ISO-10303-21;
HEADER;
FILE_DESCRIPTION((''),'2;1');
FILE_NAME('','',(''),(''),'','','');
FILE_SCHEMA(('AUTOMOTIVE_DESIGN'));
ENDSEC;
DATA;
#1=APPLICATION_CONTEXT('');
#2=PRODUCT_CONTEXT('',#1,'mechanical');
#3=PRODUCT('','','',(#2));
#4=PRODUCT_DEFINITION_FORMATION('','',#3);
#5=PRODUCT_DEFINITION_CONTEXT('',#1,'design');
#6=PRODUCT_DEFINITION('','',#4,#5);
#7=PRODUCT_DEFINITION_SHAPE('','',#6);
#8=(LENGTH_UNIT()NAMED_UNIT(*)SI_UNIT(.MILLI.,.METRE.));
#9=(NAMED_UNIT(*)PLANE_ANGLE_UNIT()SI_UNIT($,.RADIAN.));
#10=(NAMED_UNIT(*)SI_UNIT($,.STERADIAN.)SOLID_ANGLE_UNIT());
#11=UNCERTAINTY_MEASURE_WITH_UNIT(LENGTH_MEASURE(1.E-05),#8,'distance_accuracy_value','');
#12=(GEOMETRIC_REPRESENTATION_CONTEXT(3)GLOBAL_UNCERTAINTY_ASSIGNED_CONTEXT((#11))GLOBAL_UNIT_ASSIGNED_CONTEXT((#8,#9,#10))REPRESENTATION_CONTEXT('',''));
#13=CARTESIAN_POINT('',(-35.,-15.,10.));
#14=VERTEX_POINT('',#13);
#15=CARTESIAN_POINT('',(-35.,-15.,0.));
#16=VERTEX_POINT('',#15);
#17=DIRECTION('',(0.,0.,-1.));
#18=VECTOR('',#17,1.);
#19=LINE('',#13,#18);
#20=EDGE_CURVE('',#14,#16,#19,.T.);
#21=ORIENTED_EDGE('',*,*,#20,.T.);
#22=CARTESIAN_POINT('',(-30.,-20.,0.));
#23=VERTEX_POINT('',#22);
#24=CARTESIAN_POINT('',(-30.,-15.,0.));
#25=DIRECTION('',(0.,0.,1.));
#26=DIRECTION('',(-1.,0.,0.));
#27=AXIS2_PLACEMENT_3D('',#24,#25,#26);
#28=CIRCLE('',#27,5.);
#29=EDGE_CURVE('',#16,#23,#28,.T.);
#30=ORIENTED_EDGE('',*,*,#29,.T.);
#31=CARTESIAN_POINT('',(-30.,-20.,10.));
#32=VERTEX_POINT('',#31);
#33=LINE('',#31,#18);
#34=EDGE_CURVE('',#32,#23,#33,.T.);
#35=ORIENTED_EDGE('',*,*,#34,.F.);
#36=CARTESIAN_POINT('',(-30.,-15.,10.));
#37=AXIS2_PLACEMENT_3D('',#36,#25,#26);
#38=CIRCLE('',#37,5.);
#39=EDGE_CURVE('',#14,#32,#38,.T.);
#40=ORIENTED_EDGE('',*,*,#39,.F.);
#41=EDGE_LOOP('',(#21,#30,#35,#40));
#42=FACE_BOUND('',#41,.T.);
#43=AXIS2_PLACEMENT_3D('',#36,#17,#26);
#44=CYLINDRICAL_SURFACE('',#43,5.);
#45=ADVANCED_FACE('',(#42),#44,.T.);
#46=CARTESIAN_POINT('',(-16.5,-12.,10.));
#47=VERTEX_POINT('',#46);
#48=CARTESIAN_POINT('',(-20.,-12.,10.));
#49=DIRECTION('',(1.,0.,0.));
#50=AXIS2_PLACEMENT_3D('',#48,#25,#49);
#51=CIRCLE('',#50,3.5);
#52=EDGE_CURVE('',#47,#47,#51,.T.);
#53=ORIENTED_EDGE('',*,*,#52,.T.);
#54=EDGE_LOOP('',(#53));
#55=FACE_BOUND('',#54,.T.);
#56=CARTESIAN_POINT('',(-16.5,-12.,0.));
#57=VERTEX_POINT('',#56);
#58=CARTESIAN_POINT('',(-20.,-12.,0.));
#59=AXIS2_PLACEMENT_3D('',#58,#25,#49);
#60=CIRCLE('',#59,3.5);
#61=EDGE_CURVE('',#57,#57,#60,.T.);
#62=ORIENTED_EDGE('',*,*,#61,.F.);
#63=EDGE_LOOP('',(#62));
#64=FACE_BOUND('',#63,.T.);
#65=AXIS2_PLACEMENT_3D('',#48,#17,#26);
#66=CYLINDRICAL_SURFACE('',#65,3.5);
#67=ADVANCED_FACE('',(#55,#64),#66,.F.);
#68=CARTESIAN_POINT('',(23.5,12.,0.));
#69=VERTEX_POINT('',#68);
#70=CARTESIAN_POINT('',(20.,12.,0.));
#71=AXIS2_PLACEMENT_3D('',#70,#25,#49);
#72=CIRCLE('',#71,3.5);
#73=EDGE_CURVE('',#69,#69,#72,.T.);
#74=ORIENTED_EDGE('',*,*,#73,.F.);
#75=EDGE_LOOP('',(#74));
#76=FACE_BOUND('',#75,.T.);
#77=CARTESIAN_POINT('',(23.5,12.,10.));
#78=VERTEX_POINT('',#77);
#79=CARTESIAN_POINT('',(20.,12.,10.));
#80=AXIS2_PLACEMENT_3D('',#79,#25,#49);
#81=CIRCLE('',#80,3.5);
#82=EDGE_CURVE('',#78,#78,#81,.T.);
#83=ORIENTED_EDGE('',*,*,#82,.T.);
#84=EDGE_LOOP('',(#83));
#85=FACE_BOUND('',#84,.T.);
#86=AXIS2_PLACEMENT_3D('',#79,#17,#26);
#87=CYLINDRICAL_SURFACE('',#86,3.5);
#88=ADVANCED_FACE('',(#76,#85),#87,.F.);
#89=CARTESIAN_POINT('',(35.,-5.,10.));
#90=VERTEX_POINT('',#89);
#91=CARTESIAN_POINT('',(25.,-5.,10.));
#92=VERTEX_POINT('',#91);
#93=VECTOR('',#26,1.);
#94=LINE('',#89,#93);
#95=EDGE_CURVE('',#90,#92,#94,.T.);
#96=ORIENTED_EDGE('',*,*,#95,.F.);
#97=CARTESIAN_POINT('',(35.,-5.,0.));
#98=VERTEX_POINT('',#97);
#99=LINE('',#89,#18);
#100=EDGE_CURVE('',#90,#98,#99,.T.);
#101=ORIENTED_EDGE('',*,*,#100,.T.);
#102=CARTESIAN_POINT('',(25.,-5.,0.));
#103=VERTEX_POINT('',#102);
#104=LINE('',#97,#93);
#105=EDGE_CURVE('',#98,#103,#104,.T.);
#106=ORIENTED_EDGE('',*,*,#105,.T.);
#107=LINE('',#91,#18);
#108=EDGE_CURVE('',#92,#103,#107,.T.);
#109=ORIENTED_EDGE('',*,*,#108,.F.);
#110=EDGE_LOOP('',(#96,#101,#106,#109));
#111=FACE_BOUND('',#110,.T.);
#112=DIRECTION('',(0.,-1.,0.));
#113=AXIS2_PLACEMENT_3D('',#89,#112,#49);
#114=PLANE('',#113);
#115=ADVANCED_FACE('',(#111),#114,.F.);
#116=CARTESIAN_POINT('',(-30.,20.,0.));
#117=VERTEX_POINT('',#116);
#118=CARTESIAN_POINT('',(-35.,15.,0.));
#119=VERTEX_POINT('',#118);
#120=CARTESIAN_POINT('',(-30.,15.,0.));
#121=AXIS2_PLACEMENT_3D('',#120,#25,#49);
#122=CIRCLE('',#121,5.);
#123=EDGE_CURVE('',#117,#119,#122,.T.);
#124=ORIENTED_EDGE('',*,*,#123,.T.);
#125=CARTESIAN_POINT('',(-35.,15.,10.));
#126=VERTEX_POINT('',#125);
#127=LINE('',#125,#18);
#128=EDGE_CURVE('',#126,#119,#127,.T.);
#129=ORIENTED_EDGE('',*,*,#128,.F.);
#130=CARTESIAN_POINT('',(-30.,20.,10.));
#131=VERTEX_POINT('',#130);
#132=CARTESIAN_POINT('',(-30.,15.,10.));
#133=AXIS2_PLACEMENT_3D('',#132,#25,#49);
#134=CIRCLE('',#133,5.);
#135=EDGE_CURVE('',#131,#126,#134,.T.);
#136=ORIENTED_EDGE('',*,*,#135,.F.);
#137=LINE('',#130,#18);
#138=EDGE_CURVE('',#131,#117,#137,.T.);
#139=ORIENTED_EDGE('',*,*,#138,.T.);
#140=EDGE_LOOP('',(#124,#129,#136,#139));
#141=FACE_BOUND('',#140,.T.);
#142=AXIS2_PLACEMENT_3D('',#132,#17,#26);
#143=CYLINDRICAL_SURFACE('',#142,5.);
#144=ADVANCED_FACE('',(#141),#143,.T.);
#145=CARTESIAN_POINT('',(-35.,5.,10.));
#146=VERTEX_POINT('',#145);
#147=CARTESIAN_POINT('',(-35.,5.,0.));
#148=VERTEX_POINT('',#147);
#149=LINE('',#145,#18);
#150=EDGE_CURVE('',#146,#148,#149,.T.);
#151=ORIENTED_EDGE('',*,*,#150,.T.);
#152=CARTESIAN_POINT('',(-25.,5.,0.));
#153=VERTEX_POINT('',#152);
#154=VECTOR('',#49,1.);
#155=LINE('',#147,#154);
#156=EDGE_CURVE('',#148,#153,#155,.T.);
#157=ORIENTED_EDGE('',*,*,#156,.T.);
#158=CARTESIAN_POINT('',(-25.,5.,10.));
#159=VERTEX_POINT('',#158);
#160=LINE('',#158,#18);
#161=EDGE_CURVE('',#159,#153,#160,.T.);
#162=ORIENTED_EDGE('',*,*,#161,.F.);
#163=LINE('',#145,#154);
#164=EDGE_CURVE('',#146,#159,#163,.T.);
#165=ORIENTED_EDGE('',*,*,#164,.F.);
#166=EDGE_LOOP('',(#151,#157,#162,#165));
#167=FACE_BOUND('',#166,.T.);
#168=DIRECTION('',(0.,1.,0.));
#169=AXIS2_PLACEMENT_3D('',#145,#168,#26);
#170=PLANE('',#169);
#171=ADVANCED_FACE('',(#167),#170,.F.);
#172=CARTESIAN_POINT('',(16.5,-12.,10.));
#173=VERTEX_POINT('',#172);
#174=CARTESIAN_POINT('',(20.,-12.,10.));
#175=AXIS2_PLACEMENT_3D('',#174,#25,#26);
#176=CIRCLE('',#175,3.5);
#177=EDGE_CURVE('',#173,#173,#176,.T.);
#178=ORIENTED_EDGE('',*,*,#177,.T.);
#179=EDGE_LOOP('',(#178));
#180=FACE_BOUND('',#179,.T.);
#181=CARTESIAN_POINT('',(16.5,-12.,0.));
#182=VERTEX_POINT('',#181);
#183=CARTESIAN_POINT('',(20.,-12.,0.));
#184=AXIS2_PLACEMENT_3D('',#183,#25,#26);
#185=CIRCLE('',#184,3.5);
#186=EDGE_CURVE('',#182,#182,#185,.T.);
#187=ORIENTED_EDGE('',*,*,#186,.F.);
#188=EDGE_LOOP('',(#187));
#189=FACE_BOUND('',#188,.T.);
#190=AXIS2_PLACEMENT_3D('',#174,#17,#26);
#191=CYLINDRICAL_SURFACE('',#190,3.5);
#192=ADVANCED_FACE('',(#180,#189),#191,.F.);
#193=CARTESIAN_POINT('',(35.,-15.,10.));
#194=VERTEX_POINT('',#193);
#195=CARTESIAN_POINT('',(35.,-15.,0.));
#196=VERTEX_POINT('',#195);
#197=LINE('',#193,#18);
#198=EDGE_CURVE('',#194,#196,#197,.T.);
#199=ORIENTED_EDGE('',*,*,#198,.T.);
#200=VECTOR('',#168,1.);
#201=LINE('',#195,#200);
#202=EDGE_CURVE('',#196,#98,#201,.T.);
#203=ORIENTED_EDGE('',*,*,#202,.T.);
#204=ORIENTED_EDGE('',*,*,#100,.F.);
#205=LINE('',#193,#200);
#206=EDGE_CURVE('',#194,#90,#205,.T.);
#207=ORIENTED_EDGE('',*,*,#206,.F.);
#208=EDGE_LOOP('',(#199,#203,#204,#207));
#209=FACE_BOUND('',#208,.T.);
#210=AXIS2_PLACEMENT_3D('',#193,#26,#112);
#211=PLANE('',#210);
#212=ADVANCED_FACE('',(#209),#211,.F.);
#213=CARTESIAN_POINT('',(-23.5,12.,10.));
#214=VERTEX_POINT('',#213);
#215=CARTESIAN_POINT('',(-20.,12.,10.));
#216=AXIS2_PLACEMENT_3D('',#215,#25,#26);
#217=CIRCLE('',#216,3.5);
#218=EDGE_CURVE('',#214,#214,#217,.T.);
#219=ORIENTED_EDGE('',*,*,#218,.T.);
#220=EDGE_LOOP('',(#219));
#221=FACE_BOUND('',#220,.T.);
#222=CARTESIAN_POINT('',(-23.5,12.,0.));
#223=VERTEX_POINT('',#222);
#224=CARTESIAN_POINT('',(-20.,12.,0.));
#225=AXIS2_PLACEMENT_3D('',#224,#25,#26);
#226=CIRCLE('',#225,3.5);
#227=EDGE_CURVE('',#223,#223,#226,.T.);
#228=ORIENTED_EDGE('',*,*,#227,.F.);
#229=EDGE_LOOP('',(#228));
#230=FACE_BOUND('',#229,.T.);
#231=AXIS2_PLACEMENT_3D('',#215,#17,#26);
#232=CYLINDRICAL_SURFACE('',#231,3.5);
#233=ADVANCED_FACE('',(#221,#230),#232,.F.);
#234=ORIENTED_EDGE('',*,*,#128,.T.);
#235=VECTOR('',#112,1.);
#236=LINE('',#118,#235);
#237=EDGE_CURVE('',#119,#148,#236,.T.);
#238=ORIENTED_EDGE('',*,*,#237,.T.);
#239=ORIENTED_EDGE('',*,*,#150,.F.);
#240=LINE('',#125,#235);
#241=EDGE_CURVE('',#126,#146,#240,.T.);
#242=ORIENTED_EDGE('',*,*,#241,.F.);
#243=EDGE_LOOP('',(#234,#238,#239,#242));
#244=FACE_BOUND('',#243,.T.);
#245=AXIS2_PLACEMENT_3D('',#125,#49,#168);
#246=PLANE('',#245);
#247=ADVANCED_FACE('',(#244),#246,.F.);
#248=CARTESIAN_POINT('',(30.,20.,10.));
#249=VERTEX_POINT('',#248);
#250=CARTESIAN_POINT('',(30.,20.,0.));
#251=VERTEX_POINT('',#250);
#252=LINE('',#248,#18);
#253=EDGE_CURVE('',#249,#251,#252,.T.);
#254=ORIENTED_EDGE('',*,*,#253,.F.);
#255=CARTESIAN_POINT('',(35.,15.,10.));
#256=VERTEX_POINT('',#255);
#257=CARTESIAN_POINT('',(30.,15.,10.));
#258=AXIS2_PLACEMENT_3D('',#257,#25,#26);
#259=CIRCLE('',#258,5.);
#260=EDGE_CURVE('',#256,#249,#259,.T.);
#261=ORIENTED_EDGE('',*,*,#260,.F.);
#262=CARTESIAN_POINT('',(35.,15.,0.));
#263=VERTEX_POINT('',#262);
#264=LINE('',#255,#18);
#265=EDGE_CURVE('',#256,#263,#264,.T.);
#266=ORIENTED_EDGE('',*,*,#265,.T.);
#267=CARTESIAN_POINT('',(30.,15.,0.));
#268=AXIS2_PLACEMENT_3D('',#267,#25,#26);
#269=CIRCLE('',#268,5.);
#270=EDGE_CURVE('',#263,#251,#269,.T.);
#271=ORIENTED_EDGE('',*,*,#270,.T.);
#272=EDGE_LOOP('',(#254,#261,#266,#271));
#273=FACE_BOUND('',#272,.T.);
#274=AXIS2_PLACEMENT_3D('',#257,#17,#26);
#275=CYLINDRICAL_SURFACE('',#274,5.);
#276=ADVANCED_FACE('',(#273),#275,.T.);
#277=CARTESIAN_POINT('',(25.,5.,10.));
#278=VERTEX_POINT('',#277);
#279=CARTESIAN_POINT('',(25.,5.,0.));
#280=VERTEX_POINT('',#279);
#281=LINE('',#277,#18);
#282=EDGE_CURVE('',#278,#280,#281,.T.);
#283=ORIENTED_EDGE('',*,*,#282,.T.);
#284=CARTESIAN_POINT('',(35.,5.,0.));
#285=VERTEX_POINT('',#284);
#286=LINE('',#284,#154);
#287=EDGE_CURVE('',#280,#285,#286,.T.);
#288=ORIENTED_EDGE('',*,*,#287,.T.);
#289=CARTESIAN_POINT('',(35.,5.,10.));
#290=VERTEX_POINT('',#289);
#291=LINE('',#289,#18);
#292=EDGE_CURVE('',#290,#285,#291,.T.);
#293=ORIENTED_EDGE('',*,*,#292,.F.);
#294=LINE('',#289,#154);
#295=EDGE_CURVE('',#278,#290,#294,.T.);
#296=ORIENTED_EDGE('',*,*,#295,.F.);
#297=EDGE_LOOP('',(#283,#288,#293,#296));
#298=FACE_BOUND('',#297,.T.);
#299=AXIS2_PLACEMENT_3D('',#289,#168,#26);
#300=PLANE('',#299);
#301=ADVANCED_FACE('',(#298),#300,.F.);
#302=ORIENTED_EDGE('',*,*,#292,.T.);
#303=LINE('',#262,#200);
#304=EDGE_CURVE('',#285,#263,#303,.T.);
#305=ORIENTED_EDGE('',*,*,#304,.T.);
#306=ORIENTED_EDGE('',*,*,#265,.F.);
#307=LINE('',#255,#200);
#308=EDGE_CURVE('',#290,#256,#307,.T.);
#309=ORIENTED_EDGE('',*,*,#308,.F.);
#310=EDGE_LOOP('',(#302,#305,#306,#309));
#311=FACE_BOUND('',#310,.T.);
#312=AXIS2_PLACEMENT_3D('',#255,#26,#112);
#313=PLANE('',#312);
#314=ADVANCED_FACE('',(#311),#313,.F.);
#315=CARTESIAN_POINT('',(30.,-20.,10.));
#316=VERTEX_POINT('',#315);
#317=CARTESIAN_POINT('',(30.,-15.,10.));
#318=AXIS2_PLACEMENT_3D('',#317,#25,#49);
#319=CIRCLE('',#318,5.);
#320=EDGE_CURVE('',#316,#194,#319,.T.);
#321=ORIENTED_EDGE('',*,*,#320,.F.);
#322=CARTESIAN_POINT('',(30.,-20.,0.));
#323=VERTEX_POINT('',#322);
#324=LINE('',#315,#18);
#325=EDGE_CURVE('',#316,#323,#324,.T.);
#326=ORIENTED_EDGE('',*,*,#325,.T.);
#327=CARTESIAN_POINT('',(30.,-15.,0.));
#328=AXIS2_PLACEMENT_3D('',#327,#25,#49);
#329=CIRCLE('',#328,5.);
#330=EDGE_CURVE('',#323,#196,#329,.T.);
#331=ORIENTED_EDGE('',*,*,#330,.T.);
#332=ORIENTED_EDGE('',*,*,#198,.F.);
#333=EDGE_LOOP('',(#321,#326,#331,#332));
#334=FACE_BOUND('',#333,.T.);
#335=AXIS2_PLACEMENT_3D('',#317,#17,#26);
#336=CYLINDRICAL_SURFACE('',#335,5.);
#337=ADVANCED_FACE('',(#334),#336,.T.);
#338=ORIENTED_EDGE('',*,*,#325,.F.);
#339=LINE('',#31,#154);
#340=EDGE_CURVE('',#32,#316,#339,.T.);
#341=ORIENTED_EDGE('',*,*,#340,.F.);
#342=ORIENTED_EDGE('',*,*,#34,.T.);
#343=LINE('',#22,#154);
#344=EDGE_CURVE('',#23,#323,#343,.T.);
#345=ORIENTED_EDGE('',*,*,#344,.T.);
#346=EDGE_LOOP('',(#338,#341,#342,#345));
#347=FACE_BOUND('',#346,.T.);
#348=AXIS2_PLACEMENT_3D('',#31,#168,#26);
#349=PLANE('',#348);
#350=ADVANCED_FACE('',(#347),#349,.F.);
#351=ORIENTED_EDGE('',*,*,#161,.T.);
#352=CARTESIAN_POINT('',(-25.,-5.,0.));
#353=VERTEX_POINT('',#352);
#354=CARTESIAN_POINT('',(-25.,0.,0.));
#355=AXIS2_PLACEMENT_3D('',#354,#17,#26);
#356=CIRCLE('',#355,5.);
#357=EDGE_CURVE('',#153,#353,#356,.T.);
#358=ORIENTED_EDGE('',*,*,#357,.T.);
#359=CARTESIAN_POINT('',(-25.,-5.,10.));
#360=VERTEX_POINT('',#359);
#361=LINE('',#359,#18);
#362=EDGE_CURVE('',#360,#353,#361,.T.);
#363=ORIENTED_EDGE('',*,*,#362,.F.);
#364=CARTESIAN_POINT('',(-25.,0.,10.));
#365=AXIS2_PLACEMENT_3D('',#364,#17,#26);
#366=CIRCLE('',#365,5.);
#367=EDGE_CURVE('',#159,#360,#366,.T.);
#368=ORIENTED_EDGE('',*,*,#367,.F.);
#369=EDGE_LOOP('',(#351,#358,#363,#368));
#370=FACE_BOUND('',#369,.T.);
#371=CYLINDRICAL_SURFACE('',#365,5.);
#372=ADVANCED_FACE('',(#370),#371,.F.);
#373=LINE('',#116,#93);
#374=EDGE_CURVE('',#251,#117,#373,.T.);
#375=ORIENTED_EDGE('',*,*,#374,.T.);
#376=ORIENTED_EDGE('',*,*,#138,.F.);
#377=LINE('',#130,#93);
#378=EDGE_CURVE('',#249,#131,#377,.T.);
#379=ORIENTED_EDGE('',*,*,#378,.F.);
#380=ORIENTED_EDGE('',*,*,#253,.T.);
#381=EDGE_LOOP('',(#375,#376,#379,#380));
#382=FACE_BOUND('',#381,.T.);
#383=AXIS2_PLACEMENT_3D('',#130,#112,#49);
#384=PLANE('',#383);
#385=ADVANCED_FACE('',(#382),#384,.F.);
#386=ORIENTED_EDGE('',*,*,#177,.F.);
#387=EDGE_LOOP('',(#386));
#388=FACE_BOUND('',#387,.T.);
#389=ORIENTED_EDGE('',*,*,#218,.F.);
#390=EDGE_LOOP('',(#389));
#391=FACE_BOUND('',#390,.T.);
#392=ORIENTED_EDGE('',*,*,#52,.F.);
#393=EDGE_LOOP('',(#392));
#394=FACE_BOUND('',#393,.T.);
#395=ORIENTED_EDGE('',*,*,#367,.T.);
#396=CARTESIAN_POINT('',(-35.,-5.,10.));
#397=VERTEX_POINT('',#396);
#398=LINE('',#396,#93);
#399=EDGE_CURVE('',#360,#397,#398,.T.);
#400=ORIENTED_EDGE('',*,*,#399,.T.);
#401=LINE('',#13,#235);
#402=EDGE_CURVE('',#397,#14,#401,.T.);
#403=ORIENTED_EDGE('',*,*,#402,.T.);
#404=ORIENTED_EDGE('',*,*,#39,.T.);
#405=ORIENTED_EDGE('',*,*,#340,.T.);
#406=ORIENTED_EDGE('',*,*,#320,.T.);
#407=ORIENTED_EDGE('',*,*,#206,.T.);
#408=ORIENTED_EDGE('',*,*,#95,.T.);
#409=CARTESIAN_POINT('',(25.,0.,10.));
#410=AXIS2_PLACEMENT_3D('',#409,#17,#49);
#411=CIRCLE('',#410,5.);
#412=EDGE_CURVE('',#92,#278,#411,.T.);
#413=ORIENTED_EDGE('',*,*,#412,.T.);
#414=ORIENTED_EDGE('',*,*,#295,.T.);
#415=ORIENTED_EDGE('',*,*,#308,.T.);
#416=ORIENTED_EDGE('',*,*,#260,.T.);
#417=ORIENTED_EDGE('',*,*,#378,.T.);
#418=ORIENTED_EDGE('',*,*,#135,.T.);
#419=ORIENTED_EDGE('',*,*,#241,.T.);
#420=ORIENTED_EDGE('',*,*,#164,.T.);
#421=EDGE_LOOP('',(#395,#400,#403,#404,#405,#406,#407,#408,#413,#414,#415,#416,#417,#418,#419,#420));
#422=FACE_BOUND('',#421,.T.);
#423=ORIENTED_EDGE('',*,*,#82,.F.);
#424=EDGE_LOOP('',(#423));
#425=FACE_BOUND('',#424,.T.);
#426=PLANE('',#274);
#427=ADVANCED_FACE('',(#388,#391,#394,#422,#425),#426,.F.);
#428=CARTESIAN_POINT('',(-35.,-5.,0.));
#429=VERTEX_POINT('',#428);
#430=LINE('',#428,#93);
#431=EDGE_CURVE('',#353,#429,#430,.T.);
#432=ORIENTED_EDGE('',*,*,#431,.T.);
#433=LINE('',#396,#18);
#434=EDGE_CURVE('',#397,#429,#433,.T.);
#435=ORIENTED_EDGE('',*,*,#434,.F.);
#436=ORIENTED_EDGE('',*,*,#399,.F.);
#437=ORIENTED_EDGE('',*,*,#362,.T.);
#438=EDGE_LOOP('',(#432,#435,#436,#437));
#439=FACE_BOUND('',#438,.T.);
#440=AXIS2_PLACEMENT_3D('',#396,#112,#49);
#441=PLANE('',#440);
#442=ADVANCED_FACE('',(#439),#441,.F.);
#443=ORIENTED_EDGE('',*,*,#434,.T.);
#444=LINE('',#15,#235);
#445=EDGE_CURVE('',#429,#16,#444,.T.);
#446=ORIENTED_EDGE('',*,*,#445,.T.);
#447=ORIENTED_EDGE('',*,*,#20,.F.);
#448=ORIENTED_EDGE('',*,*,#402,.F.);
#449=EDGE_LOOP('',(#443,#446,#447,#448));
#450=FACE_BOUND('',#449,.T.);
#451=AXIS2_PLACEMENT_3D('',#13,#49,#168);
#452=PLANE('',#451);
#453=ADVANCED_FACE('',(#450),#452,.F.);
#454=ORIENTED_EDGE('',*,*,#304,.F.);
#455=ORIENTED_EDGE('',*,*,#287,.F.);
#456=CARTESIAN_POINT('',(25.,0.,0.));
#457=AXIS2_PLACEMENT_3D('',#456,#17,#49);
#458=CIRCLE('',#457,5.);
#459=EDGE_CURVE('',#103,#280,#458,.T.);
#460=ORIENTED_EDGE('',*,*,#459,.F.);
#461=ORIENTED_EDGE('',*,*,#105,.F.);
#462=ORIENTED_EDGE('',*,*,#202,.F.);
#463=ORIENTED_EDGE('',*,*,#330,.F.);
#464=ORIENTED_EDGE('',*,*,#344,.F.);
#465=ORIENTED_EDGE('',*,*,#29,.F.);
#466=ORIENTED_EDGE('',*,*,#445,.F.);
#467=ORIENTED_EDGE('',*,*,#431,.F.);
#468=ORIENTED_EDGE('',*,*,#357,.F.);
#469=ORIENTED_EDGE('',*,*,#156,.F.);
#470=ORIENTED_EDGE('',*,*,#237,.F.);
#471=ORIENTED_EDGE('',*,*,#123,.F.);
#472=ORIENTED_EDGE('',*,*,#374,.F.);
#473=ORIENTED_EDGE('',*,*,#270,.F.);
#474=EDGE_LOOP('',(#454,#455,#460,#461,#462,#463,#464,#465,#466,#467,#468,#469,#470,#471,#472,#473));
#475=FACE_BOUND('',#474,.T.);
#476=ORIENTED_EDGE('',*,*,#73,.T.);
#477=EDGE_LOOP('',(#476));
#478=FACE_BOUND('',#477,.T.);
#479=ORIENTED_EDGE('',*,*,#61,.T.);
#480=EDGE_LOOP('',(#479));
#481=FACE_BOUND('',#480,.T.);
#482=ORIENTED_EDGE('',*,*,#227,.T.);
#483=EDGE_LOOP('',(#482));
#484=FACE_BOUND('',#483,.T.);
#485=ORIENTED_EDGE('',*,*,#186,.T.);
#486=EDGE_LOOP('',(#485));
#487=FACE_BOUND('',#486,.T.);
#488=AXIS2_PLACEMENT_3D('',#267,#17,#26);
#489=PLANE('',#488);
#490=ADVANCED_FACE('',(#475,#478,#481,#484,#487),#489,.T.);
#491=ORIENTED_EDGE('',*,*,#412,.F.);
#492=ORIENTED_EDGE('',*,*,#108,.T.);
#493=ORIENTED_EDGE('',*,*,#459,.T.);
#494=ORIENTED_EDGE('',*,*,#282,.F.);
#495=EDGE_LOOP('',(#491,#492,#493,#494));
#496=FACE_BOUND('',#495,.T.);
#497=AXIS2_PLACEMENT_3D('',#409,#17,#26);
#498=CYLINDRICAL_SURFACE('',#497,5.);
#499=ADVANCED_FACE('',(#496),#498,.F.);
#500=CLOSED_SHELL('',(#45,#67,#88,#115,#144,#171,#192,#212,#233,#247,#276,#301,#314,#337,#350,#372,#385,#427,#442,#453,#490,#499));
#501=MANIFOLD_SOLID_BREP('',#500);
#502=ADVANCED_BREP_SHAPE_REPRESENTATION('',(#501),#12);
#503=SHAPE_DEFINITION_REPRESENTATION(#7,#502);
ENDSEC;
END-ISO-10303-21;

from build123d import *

# Parameters (mm, degrees)
CROQUIS1_R              = 3.5
SALIENTE_EXTRUIR2_DEPTH = 10


with BuildPart() as part:
    # Croquis1 → Saliente-Extruir2 (new body)
    with BuildSketch(Plane.XY):
        with BuildLine():
            Line((-30, 20), (30, 20))
            ThreePointArc((30, 20), (33.535533906, 18.535533906), (35, 15))
            Line((35, 15), (35, 5))
            Line((35, 5), (25, 5))
            ThreePointArc((25, 5), (20, 0), (25, -5))
            Line((25, -5), (35, -5))
            Line((35, -5), (35, -15))
            ThreePointArc((35, -15), (33.535533906, -18.535533906), (30, -20))
            Line((30, -20), (-30, -20))
            ThreePointArc((-30, -20), (-33.535533906, -18.535533906), (-35, -15))
            Line((-35, -15), (-35, -5))
            Line((-35, -5), (-25, -5))
            ThreePointArc((-25, -5), (-20, 0), (-25, 5))
            Line((-25, 5), (-35, 5))
            Line((-35, 5), (-35, 15))
            ThreePointArc((-35, 15), (-33.535533906, 18.535533906), (-30, 20))
        make_face()
        with Locations((20, 12)):
            Circle(CROQUIS1_R, mode=Mode.SUBTRACT)
        with Locations(Location((20, -12, 0), (0, 0, 180))):
            Circle(CROQUIS1_R, mode=Mode.SUBTRACT)
        with Locations((-20, -12)):
            Circle(CROQUIS1_R, mode=Mode.SUBTRACT)
        with Locations(Location((-20, 12, 0), (0, 0, 180))):
            Circle(CROQUIS1_R, mode=Mode.SUBTRACT)
    extrude(amount=SALIENTE_EXTRUIR2_DEPTH)


solid = part.part
